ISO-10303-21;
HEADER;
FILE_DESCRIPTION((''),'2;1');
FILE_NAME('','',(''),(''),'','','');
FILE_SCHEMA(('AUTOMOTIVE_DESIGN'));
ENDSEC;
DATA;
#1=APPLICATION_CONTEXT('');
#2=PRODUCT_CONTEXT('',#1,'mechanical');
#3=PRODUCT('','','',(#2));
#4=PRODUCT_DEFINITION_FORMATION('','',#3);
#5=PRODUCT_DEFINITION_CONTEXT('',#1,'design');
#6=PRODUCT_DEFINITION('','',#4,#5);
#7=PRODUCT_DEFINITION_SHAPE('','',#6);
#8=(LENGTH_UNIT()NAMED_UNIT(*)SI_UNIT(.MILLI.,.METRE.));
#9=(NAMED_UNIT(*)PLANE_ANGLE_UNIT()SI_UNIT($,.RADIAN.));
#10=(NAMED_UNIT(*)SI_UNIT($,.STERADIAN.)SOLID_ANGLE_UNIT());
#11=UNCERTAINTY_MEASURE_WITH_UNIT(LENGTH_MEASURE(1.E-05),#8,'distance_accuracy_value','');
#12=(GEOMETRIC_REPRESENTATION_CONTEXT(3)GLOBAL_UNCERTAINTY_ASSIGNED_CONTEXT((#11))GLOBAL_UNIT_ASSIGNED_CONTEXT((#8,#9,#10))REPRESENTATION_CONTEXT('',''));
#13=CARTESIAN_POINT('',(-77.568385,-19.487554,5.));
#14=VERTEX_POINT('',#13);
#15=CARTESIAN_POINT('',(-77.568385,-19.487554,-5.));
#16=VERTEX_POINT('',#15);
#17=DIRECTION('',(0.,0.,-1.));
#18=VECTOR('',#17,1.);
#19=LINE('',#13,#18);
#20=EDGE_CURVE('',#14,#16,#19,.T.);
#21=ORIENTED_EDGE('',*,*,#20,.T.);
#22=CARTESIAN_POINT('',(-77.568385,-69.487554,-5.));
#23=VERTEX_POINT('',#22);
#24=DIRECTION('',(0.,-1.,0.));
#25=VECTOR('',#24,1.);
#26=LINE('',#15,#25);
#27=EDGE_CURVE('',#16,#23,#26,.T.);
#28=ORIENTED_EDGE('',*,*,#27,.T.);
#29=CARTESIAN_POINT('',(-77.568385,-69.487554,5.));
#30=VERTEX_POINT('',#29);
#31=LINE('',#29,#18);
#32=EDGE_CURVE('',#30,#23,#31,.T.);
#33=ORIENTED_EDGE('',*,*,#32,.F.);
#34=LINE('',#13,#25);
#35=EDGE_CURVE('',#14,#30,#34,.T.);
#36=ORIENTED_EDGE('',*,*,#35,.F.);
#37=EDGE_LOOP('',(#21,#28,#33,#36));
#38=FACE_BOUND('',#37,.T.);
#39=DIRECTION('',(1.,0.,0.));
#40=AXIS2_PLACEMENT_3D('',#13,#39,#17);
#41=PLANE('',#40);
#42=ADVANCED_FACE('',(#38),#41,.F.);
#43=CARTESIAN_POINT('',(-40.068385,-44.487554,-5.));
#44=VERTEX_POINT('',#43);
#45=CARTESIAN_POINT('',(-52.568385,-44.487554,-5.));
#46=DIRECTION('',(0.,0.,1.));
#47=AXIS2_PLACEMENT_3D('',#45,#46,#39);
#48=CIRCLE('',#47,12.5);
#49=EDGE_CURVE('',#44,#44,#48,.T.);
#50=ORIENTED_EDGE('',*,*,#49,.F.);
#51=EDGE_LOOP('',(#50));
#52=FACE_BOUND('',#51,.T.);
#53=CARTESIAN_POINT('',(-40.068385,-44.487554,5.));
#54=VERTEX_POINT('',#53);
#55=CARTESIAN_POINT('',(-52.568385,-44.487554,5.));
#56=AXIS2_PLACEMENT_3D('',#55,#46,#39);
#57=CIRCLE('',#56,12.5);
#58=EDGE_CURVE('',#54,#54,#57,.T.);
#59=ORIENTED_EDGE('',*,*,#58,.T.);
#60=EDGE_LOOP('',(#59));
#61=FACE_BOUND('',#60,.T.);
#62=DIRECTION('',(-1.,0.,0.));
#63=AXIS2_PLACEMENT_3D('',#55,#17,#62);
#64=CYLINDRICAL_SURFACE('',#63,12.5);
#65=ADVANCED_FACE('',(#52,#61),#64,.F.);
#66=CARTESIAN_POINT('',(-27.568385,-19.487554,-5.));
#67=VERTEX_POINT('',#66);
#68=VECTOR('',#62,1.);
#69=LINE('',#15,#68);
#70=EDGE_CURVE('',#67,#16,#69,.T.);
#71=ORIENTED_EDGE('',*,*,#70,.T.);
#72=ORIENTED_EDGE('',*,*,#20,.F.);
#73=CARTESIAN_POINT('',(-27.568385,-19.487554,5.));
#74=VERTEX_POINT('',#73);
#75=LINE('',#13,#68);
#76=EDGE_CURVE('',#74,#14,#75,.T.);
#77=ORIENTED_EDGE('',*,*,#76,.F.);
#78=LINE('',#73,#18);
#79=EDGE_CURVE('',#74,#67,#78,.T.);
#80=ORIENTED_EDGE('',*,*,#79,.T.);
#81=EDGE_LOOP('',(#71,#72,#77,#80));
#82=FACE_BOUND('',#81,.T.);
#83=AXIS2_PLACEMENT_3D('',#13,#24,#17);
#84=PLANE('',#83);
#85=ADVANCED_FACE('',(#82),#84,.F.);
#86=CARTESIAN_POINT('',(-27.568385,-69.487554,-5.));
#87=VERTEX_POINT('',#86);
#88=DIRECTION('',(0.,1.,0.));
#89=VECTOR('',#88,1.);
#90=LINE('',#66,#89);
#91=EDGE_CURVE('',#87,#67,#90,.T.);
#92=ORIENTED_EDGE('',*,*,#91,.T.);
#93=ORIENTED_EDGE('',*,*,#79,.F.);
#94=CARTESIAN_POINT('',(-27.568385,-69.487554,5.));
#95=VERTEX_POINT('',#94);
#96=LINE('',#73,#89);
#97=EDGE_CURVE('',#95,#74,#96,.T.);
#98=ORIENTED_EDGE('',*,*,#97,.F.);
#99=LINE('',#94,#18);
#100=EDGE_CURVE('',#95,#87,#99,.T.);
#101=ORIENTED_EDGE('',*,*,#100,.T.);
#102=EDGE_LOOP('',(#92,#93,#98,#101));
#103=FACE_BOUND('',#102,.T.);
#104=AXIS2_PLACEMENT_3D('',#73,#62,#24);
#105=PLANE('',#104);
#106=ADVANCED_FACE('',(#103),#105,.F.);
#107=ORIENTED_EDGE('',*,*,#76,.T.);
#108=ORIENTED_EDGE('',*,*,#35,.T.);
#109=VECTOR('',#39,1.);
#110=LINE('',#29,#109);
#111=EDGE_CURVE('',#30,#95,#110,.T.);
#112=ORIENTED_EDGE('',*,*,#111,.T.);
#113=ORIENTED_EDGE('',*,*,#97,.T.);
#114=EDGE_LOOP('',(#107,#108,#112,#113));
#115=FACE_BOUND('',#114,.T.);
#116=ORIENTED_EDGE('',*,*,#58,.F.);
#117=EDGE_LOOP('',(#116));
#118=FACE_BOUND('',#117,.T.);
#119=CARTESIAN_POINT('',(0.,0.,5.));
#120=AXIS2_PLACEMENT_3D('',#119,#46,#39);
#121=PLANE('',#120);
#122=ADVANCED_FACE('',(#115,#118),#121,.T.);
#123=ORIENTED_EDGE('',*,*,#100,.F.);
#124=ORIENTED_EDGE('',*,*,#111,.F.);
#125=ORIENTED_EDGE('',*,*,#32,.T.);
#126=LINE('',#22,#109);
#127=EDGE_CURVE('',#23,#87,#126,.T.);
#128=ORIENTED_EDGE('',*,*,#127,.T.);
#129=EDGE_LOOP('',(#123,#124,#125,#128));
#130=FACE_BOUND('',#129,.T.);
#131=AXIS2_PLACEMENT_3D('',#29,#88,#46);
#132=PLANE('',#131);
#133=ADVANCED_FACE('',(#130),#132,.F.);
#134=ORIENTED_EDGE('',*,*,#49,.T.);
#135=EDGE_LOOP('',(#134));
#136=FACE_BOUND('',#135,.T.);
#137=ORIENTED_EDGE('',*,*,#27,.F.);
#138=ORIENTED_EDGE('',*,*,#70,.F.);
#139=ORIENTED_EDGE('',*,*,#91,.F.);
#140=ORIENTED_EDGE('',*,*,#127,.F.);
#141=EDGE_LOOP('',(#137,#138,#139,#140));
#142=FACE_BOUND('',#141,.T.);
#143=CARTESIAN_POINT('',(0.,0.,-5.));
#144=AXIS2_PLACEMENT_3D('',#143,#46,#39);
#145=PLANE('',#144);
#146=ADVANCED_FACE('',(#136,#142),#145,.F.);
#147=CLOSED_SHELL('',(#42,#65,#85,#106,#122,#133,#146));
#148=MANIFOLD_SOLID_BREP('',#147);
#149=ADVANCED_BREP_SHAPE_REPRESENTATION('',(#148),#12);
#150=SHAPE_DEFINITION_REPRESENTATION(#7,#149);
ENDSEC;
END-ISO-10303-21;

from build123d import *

# Parameters (mm, degrees)
ESQUISSE4_W        = 50
ESQUISSE4_H        = 50
ESQUISSE4_R        = 12.5
BOSS_EXTRU_4_DEPTH = 5


with BuildPart() as part:
    # Esquisse4 → Boss.-Extru.4 (new body, symmetric)
    with BuildSketch(Plane.XY):
        with Locations((-52.568384955, -44.48755358)):
            Rectangle(ESQUISSE4_W, ESQUISSE4_H)
        with Locations((-52.568384955, -44.48755358)):
            Circle(ESQUISSE4_R, mode=Mode.SUBTRACT)
    extrude(amount=BOSS_EXTRU_4_DEPTH, both=True)


solid = part.part
